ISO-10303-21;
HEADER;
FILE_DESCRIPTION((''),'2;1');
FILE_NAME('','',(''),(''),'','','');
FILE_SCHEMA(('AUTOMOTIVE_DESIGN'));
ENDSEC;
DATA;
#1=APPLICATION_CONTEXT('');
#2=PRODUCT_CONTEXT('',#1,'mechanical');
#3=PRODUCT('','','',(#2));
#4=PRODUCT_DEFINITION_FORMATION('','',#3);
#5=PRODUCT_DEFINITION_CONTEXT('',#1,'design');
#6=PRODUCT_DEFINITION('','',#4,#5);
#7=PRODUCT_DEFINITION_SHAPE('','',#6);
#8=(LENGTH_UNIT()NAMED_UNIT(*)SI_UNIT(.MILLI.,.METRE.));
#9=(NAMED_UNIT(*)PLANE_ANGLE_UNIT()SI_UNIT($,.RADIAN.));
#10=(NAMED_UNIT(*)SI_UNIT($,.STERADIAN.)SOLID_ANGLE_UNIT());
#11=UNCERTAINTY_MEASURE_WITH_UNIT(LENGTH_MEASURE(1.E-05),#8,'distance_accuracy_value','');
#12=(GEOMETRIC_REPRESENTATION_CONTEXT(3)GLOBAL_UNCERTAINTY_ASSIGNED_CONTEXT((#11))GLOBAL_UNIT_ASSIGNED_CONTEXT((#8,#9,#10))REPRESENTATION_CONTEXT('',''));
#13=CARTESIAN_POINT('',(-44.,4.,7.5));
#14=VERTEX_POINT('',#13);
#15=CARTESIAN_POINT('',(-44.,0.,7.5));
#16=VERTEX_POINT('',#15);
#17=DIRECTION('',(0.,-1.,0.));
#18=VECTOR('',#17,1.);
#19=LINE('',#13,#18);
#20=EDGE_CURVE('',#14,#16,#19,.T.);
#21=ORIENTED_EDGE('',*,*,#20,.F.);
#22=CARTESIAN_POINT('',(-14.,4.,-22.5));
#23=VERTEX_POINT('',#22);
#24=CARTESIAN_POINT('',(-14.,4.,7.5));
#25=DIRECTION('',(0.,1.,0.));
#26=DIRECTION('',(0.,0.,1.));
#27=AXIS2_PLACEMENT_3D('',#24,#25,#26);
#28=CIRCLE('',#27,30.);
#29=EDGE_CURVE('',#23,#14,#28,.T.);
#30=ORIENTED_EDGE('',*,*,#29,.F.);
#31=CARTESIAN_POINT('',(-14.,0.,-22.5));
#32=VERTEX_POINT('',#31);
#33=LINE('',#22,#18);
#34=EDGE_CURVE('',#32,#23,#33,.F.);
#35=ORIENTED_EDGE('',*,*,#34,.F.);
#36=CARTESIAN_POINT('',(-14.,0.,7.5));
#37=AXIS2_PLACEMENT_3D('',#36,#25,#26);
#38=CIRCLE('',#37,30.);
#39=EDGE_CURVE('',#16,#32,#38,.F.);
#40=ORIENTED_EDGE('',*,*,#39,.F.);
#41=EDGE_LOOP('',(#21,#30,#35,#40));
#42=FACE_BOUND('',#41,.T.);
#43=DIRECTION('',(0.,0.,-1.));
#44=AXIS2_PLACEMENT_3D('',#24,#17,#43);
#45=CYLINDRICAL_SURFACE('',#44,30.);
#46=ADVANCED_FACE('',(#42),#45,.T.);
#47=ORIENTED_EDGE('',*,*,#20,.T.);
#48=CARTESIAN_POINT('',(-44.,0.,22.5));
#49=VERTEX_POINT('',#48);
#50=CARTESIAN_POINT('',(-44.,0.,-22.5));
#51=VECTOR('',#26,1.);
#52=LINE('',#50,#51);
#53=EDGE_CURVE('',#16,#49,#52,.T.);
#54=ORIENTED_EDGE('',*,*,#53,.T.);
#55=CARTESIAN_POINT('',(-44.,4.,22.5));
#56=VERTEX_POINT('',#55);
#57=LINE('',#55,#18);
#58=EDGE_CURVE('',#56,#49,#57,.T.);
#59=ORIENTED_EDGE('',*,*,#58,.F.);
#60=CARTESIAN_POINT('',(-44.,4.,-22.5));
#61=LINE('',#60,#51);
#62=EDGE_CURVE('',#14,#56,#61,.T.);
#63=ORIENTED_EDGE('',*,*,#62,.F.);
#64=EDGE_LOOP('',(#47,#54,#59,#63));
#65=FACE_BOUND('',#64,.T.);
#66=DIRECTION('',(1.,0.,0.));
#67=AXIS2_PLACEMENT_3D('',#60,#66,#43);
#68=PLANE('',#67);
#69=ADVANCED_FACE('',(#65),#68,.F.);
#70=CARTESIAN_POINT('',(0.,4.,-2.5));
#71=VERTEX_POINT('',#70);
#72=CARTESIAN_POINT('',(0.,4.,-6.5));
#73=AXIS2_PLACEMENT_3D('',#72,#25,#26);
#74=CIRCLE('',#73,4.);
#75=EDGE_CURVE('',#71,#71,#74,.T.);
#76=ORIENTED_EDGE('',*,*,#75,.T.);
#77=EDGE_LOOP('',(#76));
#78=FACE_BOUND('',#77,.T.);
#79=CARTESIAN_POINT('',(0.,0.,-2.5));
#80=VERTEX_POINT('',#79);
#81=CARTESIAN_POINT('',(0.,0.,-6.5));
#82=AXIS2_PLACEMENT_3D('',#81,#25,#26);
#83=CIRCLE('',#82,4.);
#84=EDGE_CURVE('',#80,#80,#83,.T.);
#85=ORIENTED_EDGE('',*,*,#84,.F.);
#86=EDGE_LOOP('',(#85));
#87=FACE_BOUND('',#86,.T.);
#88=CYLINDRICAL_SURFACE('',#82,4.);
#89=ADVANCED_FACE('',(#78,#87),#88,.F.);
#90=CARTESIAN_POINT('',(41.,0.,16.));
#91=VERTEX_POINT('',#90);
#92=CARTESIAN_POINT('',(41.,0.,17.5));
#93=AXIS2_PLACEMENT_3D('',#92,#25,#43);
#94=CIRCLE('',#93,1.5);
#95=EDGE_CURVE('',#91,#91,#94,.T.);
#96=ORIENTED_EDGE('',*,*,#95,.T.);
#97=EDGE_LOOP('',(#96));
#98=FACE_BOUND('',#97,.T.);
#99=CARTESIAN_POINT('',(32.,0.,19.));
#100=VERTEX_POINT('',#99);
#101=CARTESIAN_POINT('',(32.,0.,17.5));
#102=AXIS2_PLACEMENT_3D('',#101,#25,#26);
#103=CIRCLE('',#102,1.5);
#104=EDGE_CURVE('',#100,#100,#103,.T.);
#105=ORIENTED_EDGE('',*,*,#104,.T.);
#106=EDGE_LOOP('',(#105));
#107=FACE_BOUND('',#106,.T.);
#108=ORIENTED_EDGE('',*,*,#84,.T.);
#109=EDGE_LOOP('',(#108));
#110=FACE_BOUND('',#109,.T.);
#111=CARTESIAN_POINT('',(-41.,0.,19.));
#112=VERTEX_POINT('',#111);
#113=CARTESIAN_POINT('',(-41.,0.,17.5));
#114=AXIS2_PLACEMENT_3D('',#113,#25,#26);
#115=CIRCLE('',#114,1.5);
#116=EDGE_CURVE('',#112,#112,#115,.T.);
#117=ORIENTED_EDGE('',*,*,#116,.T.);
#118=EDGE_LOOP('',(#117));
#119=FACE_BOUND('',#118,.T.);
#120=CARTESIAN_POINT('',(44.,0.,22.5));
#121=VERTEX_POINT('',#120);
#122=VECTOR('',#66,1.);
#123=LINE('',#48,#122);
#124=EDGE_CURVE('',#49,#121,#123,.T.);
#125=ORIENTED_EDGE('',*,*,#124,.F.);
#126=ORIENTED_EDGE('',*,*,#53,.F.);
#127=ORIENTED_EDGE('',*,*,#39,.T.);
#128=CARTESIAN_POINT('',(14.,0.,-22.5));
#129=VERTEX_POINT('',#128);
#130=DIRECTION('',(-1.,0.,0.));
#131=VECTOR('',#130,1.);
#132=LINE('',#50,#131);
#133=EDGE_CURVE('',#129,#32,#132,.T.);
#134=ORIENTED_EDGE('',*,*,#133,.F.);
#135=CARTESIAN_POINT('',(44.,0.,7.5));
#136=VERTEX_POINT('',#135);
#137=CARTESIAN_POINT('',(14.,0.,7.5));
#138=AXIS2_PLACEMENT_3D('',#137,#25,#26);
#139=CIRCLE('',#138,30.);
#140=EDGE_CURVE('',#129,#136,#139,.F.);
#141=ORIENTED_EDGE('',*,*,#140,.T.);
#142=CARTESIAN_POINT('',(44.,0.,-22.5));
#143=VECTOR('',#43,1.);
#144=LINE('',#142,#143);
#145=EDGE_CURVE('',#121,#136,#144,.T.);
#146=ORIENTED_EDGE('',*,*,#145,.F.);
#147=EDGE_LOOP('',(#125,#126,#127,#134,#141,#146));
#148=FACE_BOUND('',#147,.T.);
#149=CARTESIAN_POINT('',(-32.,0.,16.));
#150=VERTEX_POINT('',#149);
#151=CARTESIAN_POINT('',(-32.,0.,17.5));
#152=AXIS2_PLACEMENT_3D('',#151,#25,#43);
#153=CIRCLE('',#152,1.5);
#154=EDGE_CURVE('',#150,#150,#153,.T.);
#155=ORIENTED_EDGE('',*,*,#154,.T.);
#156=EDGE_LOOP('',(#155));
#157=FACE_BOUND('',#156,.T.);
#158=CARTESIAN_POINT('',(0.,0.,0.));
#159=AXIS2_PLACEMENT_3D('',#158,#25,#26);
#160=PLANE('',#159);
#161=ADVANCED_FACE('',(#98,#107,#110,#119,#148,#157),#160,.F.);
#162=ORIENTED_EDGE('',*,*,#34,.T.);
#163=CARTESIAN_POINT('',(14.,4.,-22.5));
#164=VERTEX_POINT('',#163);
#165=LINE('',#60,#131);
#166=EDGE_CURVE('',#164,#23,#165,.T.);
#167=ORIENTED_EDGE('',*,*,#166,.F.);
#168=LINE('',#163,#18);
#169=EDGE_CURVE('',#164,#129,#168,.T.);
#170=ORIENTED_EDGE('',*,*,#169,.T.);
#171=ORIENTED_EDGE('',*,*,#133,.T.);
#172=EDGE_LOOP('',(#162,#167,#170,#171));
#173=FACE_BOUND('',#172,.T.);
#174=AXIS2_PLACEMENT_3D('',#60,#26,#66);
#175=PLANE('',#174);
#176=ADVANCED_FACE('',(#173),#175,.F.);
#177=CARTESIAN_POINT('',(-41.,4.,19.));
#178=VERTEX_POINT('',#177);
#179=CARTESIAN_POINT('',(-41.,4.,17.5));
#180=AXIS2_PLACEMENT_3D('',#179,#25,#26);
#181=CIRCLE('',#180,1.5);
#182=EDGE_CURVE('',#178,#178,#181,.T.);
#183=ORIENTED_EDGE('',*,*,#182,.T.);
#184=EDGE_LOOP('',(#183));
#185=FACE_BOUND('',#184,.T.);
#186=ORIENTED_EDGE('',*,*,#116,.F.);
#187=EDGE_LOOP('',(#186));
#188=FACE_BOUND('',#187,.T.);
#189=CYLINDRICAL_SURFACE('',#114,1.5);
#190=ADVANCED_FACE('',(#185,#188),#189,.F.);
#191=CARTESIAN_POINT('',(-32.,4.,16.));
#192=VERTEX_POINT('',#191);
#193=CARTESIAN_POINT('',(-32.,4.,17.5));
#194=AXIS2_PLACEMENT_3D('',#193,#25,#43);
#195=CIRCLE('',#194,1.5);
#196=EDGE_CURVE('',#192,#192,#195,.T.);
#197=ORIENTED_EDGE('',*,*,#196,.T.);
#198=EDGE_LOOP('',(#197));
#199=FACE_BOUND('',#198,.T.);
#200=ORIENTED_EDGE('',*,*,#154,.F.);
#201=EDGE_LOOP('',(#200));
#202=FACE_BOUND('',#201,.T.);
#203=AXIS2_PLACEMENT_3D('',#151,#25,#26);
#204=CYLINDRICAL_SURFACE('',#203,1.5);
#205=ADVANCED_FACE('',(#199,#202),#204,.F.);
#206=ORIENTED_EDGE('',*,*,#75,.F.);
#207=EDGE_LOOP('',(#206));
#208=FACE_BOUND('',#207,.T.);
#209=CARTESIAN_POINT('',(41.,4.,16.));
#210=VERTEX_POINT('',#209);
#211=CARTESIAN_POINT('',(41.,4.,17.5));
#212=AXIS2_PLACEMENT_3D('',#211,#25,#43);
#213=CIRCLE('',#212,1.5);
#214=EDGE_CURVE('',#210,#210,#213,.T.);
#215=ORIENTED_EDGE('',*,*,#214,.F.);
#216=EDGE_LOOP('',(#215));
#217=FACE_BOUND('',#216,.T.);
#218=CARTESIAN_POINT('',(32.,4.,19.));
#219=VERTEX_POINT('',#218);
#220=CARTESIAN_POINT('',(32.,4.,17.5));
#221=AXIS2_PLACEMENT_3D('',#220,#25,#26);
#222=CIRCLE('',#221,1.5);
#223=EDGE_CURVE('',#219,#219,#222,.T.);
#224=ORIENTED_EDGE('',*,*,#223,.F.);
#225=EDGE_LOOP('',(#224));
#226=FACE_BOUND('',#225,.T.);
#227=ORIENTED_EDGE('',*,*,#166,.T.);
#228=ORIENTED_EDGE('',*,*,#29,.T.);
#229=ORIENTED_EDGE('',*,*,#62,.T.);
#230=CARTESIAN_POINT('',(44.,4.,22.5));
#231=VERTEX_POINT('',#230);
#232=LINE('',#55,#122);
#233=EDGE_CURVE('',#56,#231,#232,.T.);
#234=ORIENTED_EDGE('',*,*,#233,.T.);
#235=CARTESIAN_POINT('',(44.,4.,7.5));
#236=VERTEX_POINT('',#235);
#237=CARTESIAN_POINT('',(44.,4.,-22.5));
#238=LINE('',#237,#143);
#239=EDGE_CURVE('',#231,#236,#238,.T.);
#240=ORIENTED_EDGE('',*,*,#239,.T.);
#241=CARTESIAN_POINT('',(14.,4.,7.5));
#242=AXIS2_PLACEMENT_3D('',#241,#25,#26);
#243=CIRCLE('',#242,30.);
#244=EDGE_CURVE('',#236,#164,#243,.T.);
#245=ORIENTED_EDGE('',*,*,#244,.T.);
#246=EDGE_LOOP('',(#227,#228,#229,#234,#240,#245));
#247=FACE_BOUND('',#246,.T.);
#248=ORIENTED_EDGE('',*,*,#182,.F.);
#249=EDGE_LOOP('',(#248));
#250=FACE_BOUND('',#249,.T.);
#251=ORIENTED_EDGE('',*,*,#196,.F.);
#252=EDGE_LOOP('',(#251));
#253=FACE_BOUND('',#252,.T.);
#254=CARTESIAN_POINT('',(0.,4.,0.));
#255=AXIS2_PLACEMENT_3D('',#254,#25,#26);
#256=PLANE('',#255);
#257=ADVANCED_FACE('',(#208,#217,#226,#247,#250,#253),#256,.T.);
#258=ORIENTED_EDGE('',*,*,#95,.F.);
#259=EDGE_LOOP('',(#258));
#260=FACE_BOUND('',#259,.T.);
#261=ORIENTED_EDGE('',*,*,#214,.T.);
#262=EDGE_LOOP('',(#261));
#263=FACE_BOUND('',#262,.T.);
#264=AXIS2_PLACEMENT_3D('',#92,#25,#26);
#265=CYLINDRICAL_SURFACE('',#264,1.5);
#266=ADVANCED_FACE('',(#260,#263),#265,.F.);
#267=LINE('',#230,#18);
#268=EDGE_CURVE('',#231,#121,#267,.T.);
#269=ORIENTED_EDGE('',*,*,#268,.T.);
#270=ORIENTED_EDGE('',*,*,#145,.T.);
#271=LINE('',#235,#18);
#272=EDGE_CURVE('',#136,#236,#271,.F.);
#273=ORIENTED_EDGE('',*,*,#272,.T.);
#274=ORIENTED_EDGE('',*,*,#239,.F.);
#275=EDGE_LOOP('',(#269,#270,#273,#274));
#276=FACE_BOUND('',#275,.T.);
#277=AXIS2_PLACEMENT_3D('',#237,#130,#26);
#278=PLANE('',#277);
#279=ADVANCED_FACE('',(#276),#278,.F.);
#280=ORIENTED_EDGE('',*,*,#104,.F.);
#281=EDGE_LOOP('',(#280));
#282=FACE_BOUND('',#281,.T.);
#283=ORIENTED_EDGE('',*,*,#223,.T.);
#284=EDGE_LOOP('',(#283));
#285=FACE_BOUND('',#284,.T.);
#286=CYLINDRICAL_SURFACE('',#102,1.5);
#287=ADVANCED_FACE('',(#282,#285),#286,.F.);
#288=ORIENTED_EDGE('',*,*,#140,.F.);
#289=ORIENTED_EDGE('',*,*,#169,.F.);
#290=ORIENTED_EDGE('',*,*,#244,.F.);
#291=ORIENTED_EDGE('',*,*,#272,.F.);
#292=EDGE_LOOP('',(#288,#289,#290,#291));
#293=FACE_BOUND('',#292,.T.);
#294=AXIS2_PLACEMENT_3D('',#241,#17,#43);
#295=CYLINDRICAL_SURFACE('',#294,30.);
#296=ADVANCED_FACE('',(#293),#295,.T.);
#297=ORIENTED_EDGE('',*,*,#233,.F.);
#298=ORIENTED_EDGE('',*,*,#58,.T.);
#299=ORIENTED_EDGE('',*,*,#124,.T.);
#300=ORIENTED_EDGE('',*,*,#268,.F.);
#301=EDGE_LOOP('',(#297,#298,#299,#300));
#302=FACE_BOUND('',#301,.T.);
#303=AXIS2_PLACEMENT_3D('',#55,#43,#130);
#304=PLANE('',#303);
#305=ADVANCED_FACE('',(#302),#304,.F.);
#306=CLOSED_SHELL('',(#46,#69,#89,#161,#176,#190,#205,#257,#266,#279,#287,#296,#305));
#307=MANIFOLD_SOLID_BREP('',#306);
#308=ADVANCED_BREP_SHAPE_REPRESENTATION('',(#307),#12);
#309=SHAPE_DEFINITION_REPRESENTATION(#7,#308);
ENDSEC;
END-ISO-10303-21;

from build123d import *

# Parameters (mm, degrees)
SKETCH_1_W          = 88
SKETCH_1_H          = 45
EXTRUDE_1_DEPTH     = 4
SKETCH_2_R          = 4
CUT_EXTRUDE_1_DEPTH = 4
SKETCH_3_R          = 1.5
CUT_EXTRUDE_2_DEPTH = 50.580742229
FILLET_1_R          = 30


with BuildPart() as part:
    # 草图1 → 凸台-拉伸1 (new body)
    with BuildSketch(Plane(origin=(0, 0, 0), x_dir=(1, 0, 0), z_dir=(0, 1, 0))):
        Rectangle(SKETCH_1_W, SKETCH_1_H)
    extrude(amount=EXTRUDE_1_DEPTH)

    # 草图2 → 切除-拉伸1 (cut)
    with BuildSketch(Plane(origin=(0, 4, 0), x_dir=(1, 0, 0), z_dir=(0, 1, 0))):
        with Locations(Location((0, 6.5, 0), (0, 0, 270))):
            Circle(SKETCH_2_R)
    extrude(amount=-CUT_EXTRUDE_1_DEPTH, mode=Mode.SUBTRACT)

    # 草图3 → 切除-拉伸2 (cut, through all)
    with BuildSketch(Plane(origin=(0, 4, 0), x_dir=(1, 0, 0), z_dir=(0, 1, 0))):
        with Locations(Location((-41, -17.5, 0), (0, 0, 270))):
            Circle(SKETCH_3_R)
        with Locations(Location((-32, -17.5, 0), (0, 0, 90))):
            Circle(SKETCH_3_R)
        with Locations(Location((32, -17.5, 0), (0, 0, 270))):
            Circle(SKETCH_3_R)
        with Locations(Location((41, -17.5, 0), (0, 0, 90))):
            Circle(SKETCH_3_R)
    extrude(amount=-CUT_EXTRUDE_2_DEPTH, mode=Mode.SUBTRACT)

    # 圆角1
    fillet_1_edges = [part.edges().sort_by_distance(p)[0] for p in [
        (-44, 2, -22.5),
        (44, 2, -22.5),
    ]]
    fillet(fillet_1_edges, radius=FILLET_1_R)


solid = part.part
